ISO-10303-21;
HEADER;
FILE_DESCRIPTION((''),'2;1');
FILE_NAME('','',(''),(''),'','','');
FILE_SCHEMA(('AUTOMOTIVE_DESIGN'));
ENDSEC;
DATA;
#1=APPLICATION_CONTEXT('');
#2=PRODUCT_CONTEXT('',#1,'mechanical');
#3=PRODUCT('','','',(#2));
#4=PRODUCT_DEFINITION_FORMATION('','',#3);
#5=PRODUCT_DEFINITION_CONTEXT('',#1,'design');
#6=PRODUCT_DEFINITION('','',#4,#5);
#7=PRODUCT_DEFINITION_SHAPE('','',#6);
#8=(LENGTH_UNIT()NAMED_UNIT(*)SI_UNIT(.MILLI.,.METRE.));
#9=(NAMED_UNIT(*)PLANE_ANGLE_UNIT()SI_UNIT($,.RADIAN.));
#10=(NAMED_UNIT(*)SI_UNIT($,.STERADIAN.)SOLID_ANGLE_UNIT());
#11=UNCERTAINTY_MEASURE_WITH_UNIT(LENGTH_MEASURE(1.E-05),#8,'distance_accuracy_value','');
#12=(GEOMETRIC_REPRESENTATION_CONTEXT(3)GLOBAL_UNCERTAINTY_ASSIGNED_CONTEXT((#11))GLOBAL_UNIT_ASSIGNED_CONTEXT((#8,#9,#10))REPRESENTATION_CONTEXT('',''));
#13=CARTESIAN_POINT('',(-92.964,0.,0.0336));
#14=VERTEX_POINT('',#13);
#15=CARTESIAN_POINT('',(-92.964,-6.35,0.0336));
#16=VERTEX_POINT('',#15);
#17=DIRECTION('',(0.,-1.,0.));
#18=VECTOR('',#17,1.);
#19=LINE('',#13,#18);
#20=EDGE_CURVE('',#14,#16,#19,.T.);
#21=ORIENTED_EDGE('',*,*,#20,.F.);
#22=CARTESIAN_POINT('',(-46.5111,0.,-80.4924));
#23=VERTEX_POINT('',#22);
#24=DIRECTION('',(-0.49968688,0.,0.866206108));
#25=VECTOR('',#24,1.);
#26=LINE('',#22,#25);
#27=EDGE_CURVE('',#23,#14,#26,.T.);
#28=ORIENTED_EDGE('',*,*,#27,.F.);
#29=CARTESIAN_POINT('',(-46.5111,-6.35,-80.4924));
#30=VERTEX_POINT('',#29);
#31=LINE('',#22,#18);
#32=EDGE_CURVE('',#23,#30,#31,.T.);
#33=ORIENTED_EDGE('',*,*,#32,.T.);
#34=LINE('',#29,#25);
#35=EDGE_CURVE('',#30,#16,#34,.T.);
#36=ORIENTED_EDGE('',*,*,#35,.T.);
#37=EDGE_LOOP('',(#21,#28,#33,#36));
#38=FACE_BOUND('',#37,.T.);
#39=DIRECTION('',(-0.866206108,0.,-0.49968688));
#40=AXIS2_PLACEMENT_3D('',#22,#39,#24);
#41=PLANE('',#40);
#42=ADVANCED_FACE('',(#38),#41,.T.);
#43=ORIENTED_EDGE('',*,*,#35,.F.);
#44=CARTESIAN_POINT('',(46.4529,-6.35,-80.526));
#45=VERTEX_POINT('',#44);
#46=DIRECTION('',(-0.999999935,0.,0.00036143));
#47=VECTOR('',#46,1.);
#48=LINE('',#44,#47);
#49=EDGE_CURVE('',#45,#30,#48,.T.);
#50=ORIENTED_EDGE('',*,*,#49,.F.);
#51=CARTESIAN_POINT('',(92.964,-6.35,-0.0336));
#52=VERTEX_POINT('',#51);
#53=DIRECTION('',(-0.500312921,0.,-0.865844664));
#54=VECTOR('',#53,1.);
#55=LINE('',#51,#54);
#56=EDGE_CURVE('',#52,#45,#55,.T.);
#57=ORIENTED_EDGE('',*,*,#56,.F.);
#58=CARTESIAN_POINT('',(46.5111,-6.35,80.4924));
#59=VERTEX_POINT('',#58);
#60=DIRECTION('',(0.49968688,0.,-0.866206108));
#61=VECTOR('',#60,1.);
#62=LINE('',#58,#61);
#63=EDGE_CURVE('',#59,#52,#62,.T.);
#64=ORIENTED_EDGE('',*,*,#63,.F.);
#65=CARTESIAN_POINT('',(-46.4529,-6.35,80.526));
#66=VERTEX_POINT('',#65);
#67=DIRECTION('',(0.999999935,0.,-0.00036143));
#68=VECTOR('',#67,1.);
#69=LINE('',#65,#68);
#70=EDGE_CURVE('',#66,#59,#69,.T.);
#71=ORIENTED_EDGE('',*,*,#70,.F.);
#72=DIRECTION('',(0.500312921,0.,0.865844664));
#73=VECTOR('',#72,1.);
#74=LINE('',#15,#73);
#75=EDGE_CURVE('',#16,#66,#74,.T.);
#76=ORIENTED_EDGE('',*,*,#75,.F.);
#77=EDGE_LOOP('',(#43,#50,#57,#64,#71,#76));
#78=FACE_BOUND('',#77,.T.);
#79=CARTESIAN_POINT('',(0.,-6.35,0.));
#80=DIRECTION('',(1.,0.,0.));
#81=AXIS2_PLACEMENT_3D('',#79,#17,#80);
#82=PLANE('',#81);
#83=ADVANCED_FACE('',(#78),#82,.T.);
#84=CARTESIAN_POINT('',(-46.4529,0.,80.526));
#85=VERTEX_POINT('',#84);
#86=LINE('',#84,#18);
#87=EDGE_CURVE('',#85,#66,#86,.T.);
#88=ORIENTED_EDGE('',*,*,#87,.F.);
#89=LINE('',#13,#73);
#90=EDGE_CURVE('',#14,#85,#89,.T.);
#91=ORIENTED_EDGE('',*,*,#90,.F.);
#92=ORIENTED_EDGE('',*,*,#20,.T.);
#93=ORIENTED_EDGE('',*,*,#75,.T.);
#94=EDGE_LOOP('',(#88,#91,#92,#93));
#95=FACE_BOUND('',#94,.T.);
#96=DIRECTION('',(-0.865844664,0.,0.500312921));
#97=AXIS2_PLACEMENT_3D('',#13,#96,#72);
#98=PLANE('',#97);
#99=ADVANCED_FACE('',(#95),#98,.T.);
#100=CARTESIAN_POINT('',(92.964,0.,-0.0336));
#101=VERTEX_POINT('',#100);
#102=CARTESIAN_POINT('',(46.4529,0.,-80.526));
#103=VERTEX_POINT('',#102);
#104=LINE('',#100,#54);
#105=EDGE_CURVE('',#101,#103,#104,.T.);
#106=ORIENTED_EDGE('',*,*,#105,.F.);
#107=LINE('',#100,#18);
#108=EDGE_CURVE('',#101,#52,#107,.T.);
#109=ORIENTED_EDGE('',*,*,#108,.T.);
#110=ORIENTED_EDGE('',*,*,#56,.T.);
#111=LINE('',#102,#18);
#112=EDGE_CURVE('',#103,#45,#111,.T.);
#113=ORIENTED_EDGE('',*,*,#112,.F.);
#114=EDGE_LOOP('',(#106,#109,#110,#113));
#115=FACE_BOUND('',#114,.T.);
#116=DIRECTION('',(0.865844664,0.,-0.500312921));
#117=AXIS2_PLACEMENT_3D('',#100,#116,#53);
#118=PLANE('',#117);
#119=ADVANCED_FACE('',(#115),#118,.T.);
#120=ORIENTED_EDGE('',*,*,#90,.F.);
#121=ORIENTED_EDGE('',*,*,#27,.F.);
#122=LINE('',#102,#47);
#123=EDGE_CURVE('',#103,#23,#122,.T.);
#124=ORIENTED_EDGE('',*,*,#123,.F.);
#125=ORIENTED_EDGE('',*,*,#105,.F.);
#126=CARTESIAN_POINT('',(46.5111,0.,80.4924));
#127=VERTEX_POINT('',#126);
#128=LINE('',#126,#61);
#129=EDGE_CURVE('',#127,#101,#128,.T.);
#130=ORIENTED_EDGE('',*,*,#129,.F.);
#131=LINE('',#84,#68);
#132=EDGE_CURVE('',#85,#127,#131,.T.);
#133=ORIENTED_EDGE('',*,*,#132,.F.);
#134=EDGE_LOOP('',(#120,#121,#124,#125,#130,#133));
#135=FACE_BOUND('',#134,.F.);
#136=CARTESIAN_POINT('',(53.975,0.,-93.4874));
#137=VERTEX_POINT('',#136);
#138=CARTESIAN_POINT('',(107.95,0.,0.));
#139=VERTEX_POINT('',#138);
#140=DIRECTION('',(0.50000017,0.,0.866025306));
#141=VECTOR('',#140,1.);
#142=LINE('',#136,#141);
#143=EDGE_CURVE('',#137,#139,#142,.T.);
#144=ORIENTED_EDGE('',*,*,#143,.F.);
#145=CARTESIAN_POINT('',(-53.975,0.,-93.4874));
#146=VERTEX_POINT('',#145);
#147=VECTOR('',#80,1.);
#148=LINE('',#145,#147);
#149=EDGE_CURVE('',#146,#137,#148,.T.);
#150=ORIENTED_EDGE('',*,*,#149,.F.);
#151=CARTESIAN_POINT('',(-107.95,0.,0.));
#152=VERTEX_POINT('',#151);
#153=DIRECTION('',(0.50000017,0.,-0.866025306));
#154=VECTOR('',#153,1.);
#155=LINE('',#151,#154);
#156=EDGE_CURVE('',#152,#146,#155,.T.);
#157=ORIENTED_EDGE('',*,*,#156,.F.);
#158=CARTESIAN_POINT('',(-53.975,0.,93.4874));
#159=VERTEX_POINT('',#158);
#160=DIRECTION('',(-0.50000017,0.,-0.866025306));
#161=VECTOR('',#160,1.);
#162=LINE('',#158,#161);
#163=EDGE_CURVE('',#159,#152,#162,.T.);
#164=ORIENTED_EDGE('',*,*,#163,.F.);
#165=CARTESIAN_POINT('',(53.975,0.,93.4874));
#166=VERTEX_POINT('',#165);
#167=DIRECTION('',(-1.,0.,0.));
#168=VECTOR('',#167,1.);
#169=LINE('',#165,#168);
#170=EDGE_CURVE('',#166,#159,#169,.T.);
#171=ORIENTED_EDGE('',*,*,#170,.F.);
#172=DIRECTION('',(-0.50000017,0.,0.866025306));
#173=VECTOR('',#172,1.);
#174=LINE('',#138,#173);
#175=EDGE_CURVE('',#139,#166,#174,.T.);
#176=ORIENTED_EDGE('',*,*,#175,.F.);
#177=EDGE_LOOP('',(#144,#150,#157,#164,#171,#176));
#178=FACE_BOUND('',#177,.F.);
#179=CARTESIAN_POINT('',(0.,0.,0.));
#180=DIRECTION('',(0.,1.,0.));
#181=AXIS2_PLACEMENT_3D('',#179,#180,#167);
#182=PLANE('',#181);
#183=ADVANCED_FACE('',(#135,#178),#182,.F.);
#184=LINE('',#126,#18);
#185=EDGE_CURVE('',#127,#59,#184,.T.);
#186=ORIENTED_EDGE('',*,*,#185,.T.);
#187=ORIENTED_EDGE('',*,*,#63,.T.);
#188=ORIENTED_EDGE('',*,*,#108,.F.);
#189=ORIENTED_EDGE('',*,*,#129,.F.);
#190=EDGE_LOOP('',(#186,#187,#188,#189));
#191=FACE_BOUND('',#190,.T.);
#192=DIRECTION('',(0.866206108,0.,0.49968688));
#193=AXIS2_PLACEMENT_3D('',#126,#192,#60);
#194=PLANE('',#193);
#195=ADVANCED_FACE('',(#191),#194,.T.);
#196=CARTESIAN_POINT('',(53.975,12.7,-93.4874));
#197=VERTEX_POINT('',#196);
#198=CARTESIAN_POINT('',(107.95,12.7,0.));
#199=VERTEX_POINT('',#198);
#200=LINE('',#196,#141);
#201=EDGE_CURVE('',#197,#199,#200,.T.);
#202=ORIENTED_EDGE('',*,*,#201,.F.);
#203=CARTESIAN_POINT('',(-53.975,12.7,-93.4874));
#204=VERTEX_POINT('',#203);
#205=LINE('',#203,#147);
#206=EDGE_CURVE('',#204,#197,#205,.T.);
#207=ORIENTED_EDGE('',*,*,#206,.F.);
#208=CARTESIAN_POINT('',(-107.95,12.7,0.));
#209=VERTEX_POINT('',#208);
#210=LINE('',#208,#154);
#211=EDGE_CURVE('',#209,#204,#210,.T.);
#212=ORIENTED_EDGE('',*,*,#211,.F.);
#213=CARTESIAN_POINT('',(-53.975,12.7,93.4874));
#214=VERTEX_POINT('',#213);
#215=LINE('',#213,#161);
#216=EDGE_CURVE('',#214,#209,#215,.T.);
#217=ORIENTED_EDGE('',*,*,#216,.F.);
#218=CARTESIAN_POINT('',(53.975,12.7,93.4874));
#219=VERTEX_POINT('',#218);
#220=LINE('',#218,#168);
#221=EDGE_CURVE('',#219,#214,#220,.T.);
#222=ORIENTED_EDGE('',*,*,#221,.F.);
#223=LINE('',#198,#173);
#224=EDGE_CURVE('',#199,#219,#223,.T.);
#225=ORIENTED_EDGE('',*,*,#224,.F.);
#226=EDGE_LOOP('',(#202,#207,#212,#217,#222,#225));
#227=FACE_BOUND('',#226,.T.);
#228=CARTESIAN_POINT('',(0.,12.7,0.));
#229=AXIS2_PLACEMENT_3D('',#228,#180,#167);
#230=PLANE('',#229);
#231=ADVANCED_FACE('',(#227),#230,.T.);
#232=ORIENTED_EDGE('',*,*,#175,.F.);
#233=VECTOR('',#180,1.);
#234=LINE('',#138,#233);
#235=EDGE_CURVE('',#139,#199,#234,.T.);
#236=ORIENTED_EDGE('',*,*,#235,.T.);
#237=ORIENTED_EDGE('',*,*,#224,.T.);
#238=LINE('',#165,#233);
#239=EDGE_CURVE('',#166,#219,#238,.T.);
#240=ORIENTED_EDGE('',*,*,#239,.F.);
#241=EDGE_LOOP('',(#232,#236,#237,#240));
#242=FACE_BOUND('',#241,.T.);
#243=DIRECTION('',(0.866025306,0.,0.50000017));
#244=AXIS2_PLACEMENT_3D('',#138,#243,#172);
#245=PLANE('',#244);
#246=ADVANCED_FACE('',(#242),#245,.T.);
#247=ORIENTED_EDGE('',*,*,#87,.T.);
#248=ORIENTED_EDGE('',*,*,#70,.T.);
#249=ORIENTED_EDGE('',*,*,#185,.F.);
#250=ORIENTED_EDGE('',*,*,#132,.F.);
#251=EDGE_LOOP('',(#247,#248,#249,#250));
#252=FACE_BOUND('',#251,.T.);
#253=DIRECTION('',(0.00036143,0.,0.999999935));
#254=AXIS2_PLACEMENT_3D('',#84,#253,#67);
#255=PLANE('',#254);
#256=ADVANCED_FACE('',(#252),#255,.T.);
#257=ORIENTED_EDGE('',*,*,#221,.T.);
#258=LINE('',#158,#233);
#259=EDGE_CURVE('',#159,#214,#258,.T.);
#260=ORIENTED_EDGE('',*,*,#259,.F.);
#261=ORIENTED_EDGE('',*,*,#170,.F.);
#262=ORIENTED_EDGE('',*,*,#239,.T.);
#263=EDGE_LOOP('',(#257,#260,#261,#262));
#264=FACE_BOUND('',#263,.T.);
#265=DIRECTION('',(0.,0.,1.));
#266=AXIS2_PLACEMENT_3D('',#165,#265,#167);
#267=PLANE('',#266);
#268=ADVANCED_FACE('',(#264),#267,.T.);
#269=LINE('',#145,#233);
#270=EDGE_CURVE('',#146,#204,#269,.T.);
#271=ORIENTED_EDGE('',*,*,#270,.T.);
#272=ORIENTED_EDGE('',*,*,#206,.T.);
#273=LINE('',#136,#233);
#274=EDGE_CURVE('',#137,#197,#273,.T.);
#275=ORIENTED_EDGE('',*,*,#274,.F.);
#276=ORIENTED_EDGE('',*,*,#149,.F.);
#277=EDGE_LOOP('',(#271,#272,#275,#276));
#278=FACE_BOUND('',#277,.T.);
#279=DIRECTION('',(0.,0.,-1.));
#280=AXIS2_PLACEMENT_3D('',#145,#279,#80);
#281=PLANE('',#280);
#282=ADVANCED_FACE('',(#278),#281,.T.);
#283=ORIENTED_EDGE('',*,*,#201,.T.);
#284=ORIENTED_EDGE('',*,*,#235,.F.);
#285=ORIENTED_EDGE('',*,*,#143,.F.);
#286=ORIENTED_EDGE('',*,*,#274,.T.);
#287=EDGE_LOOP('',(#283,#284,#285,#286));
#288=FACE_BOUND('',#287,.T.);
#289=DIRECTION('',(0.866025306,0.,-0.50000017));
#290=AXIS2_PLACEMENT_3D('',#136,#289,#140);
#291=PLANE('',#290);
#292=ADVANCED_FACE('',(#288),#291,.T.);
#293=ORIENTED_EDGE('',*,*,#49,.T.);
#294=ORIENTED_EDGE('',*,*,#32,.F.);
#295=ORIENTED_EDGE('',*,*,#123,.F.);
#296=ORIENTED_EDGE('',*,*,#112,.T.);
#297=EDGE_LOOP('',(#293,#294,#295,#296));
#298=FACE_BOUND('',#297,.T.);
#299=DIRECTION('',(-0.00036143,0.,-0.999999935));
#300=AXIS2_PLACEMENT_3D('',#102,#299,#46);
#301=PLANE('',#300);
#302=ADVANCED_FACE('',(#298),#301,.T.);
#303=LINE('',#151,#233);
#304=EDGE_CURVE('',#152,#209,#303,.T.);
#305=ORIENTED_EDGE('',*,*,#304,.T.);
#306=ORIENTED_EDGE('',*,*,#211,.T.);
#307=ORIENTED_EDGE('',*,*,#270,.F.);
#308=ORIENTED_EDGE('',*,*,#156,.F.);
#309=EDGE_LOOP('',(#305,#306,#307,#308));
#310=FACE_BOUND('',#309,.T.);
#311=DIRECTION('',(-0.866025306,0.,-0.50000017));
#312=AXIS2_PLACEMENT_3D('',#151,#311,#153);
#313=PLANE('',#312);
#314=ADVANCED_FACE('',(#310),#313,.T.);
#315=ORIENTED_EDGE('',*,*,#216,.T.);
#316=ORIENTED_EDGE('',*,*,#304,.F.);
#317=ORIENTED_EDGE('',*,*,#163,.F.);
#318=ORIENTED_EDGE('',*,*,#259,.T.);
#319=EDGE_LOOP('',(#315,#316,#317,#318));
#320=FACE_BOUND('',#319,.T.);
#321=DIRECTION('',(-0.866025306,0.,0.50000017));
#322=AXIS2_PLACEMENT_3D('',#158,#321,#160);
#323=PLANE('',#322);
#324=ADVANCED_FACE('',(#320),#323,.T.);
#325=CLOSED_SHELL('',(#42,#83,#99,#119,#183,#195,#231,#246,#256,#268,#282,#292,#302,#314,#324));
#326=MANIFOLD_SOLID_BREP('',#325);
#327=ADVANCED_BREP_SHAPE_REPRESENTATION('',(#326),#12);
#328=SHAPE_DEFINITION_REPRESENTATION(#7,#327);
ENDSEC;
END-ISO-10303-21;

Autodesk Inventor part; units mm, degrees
ref_plane "YZ Plane" through (0, 0, 0) normal (1, 0, 0) x (0, 1, 0)
ref_plane "XZ Plane" through (0, 0, 0) normal (0, 1, 0) x (-1, 0, 0)
ref_plane "XY Plane" through (0, 0, 0) normal (0, 0, 1) x (1, 0, 0)
sketch "Sketch1" plane through (0, 0, 0) normal (0, 1, 0) x (-1, 0, 0)
  line L0 (-107.95, 0) -> (-53.975, 93.4874)
  line L1 (-53.975, 93.4874) -> (53.975, 93.4874)
  line L2 (53.975, 93.4874) -> (107.95, 0)
  line L3 (107.95, 0) -> (53.975, -93.4874)
  line L4 (53.975, -93.4874) -> (-53.975, -93.4874)
  line L5 (-53.975, -93.4874) -> (-107.95, 0)
  line L6 (-95.25, 0.0344) -> (-47.5952, 82.5062)
  line L7 (-47.5952, 82.5062) -> (47.6548, 82.4717)
  line L8 (47.6548, 82.4717) -> (95.25, -0.0344)
  line L9 (95.25, -0.0344) -> (47.5952, -82.5062)
  line L10 (47.5952, -82.5062) -> (-47.6548, -82.4717)
  line L11 (-47.6548, -82.4717) -> (-95.25, 0.0344)
  point P0 (0, 0)
  point P1 (0, 0)
  point P2 (0, 0)
  dimension "d0" = 215.9
  dimension "d1" = 12.7
extrude "Extrusion1" add sketch "Sketch1" along normal blind 12.7 contours L0 L1 L2 L3 L4 L5 | L6 L7 L8 L9 L10 L11
sketch "Sketch2" plane through (0, 0, 0) normal (0, -1, 0) x (1, 0, 0)
  line L0 (-107.95, -0.0034) -> (-53.9779, 93.4857)
  line L1 (-53.9779, 93.4857) -> (53.9721, 93.4891)
  line L2 (53.9721, 93.4891) -> (107.95, 0.0034)
  line L3 (107.95, 0.0034) -> (53.9779, -93.4857)
  line L4 (53.9779, -93.4857) -> (-53.9721, -93.4891)
  line L5 (-53.9721, -93.4891) -> (-107.95, -0.0034)
  line L6 (-92.964, 0.0336) -> (-46.4529, 80.526)
  line L7 (-46.4529, 80.526) -> (46.5111, 80.4924)
  line L8 (46.5111, 80.4924) -> (92.964, -0.0336)
  line L9 (92.964, -0.0336) -> (46.4529, -80.526)
  line L10 (46.4529, -80.526) -> (-46.5111, -80.4924)
  line L11 (-46.5111, -80.4924) -> (-92.964, 0.0336)
  point P0 (0, 0)
  point P1 (0, 0)
  point P2 (0, 0)
  point P3 (0, 0)
  point P4 (0, 0)
  dimension "d4" = 215.9
  dimension "d5" = 14.986
extrude "Extrusion2" add sketch "Sketch2" along normal blind 6.35 contours L6 L7 L8 L9 L10 L11
sketch "Sketch3" plane through (0, 12.7, 0) normal (0, 1, 0) x (1, 0, 0)
  line L0 (-69.4244, 65.254) -> (70.2756, 65.254)
  line L1 (107.95, 0) -> (53.975, 93.4874) projected
  line L2 (-107.95, -0.0034) -> (-53.9779, 93.4857)
  line L3 (-53.9779, 93.4857) -> (53.9721, 93.4891)
  line L4 (53.9721, 93.4891) -> (107.95, 0.0034)
  line L5 (107.95, 0.0034) -> (53.9779, -93.4857)
  line L6 (53.9779, -93.4857) -> (-53.9721, -93.4891)
  line L7 (-53.9721, -93.4891) -> (-107.95, -0.0034)
  point P0 (0, 0)
  point P1 (0, 0)
  point P2 (0, 0)
  point P3 (0, 0)
  point P4 (0, 0)
  point P5 (0, 0)
  dimension "d8" = 139.7
  dimension "d9" = 215.9
properties part number "SatelliteTopFace_v2"
